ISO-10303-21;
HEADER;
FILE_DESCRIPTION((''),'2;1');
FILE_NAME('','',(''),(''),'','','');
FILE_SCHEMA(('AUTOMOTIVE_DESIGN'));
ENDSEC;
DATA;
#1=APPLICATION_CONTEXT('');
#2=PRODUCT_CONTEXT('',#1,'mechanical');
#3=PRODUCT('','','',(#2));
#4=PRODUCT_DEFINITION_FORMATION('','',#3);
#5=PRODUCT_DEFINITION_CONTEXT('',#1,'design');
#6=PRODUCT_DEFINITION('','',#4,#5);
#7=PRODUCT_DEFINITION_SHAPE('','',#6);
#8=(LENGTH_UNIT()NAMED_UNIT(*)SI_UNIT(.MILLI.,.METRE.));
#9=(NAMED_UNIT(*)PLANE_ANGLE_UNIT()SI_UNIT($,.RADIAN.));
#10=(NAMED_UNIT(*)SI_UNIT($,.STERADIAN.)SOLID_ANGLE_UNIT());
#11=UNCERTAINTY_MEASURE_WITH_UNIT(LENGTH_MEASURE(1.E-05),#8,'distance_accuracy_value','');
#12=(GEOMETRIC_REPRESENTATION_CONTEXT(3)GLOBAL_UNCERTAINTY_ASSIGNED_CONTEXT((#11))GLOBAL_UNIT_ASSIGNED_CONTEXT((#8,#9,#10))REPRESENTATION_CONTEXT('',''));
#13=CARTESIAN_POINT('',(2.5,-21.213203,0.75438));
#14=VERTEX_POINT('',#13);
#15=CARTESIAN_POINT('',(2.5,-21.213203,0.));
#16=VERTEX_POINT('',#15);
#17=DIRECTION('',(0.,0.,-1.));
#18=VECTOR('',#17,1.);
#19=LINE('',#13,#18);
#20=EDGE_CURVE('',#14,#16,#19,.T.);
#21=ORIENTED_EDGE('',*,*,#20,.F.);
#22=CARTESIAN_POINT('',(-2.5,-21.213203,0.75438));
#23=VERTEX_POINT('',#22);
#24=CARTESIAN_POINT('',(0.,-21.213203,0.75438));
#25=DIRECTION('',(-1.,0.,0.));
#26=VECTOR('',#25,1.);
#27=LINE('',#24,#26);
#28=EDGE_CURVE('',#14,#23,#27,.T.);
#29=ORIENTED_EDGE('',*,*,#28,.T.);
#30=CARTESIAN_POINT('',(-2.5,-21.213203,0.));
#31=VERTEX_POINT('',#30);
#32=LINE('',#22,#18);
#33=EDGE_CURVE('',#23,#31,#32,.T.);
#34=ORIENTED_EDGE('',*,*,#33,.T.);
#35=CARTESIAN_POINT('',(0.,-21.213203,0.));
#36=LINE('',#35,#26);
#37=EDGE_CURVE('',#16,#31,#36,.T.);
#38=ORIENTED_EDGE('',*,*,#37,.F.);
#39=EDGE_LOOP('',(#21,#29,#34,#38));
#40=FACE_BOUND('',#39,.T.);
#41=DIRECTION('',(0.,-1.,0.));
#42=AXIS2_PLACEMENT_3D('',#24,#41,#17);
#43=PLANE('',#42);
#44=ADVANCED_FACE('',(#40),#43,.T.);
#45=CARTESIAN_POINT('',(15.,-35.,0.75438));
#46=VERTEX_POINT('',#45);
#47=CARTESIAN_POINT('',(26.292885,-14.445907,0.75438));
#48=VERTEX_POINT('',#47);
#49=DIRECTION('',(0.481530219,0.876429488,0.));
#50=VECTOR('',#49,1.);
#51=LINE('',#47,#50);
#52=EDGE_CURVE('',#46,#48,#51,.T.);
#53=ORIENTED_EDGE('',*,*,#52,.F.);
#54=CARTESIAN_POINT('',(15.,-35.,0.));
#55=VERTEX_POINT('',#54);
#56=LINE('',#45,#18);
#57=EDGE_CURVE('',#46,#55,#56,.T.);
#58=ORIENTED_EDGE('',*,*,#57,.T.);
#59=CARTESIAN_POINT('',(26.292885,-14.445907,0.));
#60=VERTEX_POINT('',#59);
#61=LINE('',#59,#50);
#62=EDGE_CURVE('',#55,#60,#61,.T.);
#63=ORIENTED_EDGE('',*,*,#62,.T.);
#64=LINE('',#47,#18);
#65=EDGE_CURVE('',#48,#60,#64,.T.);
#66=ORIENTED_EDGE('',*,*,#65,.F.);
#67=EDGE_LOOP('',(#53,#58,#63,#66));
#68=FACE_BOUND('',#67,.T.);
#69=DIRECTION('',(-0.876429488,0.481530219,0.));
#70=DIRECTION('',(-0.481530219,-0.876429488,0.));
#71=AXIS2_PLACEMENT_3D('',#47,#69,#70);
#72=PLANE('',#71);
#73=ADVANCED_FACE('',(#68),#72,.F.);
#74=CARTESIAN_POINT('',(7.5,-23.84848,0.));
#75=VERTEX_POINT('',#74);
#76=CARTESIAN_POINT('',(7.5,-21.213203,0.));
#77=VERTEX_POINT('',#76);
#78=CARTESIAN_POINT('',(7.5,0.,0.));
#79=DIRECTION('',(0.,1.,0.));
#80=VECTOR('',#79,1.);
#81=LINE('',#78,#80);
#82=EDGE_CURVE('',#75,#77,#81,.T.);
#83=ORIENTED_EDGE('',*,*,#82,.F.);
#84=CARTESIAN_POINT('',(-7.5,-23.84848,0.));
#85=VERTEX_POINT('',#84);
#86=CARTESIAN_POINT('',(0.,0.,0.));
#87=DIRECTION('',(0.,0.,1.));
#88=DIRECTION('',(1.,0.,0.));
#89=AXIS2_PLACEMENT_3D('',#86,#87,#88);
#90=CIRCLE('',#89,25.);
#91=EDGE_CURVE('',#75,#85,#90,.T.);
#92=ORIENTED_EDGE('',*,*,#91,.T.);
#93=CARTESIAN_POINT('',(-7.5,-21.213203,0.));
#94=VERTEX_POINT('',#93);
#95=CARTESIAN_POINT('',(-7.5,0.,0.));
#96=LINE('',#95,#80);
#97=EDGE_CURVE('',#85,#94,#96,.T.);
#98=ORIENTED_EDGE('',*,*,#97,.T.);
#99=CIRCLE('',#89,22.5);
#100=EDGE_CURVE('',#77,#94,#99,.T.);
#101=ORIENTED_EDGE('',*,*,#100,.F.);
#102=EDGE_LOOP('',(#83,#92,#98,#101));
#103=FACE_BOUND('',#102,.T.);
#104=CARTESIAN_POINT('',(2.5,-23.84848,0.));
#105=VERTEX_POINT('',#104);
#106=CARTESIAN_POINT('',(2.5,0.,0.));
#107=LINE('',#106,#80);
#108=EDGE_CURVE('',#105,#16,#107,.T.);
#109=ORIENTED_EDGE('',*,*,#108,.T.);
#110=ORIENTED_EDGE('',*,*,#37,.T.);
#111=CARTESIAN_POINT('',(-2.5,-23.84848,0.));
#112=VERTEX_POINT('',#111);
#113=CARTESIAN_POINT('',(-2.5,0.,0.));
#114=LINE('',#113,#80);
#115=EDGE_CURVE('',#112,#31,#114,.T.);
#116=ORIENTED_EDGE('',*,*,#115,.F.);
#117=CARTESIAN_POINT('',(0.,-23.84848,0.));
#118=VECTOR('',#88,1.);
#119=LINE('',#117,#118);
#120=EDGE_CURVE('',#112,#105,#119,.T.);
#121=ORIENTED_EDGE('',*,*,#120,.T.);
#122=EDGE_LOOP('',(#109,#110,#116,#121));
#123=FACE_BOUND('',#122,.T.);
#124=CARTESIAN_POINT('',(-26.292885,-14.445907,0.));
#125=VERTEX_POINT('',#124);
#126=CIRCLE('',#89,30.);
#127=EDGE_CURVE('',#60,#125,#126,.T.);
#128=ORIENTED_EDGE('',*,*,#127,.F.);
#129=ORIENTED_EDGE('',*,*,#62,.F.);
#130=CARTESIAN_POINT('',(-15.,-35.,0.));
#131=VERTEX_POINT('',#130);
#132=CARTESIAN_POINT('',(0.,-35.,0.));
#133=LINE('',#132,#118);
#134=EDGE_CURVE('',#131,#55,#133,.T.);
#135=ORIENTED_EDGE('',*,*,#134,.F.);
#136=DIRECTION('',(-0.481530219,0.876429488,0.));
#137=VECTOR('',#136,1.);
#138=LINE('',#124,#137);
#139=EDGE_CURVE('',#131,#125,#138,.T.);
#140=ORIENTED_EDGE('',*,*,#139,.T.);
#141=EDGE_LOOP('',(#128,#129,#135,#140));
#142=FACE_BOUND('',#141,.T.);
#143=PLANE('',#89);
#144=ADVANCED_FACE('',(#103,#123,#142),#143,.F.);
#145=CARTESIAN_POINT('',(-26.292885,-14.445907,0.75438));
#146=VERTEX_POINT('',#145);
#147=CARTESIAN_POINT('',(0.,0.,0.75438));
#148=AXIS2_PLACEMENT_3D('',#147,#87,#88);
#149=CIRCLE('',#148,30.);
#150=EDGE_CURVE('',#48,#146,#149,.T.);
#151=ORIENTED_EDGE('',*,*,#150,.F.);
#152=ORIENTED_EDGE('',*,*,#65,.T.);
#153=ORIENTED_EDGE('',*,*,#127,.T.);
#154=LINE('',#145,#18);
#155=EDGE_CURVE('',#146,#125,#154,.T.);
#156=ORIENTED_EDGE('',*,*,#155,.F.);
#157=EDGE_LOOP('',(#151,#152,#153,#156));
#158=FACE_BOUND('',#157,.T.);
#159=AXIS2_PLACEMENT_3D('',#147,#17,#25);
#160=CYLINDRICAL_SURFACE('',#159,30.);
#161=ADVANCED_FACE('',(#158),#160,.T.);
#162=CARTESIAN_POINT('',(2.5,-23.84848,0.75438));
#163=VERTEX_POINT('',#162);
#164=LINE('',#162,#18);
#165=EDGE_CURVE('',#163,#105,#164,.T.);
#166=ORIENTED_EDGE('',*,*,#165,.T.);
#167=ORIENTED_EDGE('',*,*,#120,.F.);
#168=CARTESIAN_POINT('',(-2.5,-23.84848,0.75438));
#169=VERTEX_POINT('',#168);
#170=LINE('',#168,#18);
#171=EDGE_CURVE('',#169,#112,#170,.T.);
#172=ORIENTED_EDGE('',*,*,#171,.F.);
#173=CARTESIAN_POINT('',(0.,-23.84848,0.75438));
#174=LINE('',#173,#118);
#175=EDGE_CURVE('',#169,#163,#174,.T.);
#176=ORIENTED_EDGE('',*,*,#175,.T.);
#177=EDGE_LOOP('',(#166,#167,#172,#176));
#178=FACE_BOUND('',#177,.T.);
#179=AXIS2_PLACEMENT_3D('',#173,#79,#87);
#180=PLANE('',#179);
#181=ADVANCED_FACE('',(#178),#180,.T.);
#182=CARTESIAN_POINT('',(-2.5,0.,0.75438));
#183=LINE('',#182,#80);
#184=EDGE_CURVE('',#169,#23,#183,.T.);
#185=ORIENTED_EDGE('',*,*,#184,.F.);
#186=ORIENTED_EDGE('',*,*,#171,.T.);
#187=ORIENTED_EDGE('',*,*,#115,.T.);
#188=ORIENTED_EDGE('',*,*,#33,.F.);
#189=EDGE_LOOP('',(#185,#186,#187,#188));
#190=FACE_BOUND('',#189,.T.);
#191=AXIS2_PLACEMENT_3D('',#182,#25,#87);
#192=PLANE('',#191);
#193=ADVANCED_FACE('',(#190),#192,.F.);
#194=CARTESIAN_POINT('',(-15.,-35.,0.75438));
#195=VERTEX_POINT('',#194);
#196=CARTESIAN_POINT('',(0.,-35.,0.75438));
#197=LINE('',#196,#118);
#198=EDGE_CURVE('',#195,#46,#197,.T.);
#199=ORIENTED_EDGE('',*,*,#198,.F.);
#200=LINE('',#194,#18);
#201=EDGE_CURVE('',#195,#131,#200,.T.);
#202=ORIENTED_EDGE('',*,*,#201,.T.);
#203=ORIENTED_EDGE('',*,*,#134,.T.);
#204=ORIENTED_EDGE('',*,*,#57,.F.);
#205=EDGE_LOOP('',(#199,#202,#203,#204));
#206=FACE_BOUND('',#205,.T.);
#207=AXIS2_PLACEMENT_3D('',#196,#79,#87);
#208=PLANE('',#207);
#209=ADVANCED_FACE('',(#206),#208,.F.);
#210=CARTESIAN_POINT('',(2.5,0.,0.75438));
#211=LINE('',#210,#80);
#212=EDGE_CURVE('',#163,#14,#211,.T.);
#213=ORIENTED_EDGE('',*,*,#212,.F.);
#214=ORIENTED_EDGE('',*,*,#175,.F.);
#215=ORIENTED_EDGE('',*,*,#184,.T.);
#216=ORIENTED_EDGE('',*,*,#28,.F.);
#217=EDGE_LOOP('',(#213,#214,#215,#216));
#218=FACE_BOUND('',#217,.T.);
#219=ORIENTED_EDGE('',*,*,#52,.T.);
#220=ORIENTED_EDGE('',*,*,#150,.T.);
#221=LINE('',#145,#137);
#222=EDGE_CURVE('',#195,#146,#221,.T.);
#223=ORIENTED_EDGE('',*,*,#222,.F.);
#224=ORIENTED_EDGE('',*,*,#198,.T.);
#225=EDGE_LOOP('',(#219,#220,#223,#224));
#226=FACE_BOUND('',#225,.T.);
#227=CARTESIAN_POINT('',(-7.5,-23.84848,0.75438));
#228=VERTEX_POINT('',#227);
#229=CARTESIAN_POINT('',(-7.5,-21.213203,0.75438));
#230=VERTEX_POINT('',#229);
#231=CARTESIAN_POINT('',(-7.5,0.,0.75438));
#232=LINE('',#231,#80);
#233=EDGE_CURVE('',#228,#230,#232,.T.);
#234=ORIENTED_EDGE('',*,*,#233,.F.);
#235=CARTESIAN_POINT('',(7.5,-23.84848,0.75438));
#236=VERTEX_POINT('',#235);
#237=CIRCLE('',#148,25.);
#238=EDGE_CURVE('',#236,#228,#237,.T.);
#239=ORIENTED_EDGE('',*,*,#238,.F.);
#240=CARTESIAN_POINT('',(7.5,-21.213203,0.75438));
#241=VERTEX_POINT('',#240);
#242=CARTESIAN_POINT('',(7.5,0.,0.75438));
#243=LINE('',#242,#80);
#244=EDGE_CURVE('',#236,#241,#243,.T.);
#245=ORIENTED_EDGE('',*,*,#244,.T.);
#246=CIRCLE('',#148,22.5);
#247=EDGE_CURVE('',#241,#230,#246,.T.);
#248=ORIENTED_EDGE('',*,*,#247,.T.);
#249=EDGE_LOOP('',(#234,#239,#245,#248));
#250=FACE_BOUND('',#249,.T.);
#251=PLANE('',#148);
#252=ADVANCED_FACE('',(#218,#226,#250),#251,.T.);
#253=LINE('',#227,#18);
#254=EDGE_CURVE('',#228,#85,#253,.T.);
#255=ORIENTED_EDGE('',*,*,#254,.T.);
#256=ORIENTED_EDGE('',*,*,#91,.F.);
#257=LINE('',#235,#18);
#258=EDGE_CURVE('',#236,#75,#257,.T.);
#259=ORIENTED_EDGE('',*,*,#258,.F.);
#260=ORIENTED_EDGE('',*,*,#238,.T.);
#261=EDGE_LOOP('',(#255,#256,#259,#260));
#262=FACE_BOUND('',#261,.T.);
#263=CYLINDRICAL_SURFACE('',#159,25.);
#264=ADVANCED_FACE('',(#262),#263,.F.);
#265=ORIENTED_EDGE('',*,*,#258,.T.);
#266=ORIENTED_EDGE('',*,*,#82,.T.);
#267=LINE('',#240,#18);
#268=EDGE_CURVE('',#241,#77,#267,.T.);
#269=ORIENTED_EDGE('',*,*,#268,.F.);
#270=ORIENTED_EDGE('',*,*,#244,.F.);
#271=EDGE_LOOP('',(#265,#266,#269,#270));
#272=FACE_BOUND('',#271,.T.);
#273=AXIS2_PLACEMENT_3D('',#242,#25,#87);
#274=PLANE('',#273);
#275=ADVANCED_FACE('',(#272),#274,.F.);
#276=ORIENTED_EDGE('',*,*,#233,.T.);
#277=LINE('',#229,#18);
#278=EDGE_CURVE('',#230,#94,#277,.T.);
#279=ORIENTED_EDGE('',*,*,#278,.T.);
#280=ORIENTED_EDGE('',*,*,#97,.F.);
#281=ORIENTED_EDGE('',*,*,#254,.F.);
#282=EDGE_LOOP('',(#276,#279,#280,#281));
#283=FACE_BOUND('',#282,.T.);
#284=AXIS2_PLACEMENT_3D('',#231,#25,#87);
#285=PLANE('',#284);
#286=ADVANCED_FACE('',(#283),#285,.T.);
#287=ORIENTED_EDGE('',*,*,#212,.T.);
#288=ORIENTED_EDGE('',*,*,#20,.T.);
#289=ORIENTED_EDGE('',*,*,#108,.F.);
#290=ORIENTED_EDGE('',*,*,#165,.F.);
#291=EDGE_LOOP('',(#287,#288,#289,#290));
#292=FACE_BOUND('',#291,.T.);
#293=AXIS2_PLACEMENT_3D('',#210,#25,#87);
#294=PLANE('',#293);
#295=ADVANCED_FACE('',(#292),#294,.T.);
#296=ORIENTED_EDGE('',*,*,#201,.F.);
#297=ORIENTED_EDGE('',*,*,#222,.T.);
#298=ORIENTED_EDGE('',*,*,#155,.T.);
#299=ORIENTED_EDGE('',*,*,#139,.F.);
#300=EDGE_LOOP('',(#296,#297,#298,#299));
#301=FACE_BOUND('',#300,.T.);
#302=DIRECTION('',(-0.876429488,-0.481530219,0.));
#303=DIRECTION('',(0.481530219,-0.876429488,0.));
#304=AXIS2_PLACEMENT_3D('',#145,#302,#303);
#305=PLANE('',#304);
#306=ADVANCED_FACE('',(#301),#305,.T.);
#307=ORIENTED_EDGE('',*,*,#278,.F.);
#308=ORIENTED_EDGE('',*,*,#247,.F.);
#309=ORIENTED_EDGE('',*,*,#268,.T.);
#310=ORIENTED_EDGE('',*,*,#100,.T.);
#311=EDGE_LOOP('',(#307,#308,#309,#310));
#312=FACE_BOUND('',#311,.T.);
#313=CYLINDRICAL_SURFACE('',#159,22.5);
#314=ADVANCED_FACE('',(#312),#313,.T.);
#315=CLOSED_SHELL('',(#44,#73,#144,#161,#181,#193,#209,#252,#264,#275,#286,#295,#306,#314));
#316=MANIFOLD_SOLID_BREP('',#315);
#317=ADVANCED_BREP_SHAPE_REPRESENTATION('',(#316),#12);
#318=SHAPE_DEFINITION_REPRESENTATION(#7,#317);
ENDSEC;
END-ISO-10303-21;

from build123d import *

# Parameters (mm, degrees)
BOSS_EXTRUDE1_DEPTH = 0.75438


with BuildPart() as part:
    # Sketch1 → Boss-Extrude1 (new body)
    with BuildSketch(Plane.XY):
        with BuildLine():
            Line((-26.292884648, -14.44590658), (-15, -35))
            Line((-15, -35), (-7.5, -35))
            Line((-7.5, -35), (15, -35))
            Line((15, -35), (26.292884648, -14.44590658))
            ThreePointArc((26.292884648, -14.44590658), (0, 30), (-26.292884648, -14.44590658))
        make_face()
        Polygon((2.5, -23.848480035), (-2.5, -23.848480035), (-2.5, -22.360679775), (-2.5, -21.213203436), (2.5, -21.213203436), (2.5, -22.360679775), align=None, mode=Mode.SUBTRACT)
        with BuildLine():
            Line((-7.5, -21.213203436), (-7.5, -23.848480035))
            ThreePointArc((-7.5, -23.848480035), (0, 25), (7.5, -23.848480035))
            Line((7.5, -23.848480035), (7.5, -21.213203436))
            ThreePointArc((7.5, -21.213203436), (0, 22.5), (-7.5, -21.213203436))
        make_face(mode=Mode.SUBTRACT)
    extrude(amount=BOSS_EXTRUDE1_DEPTH)


solid = part.part
